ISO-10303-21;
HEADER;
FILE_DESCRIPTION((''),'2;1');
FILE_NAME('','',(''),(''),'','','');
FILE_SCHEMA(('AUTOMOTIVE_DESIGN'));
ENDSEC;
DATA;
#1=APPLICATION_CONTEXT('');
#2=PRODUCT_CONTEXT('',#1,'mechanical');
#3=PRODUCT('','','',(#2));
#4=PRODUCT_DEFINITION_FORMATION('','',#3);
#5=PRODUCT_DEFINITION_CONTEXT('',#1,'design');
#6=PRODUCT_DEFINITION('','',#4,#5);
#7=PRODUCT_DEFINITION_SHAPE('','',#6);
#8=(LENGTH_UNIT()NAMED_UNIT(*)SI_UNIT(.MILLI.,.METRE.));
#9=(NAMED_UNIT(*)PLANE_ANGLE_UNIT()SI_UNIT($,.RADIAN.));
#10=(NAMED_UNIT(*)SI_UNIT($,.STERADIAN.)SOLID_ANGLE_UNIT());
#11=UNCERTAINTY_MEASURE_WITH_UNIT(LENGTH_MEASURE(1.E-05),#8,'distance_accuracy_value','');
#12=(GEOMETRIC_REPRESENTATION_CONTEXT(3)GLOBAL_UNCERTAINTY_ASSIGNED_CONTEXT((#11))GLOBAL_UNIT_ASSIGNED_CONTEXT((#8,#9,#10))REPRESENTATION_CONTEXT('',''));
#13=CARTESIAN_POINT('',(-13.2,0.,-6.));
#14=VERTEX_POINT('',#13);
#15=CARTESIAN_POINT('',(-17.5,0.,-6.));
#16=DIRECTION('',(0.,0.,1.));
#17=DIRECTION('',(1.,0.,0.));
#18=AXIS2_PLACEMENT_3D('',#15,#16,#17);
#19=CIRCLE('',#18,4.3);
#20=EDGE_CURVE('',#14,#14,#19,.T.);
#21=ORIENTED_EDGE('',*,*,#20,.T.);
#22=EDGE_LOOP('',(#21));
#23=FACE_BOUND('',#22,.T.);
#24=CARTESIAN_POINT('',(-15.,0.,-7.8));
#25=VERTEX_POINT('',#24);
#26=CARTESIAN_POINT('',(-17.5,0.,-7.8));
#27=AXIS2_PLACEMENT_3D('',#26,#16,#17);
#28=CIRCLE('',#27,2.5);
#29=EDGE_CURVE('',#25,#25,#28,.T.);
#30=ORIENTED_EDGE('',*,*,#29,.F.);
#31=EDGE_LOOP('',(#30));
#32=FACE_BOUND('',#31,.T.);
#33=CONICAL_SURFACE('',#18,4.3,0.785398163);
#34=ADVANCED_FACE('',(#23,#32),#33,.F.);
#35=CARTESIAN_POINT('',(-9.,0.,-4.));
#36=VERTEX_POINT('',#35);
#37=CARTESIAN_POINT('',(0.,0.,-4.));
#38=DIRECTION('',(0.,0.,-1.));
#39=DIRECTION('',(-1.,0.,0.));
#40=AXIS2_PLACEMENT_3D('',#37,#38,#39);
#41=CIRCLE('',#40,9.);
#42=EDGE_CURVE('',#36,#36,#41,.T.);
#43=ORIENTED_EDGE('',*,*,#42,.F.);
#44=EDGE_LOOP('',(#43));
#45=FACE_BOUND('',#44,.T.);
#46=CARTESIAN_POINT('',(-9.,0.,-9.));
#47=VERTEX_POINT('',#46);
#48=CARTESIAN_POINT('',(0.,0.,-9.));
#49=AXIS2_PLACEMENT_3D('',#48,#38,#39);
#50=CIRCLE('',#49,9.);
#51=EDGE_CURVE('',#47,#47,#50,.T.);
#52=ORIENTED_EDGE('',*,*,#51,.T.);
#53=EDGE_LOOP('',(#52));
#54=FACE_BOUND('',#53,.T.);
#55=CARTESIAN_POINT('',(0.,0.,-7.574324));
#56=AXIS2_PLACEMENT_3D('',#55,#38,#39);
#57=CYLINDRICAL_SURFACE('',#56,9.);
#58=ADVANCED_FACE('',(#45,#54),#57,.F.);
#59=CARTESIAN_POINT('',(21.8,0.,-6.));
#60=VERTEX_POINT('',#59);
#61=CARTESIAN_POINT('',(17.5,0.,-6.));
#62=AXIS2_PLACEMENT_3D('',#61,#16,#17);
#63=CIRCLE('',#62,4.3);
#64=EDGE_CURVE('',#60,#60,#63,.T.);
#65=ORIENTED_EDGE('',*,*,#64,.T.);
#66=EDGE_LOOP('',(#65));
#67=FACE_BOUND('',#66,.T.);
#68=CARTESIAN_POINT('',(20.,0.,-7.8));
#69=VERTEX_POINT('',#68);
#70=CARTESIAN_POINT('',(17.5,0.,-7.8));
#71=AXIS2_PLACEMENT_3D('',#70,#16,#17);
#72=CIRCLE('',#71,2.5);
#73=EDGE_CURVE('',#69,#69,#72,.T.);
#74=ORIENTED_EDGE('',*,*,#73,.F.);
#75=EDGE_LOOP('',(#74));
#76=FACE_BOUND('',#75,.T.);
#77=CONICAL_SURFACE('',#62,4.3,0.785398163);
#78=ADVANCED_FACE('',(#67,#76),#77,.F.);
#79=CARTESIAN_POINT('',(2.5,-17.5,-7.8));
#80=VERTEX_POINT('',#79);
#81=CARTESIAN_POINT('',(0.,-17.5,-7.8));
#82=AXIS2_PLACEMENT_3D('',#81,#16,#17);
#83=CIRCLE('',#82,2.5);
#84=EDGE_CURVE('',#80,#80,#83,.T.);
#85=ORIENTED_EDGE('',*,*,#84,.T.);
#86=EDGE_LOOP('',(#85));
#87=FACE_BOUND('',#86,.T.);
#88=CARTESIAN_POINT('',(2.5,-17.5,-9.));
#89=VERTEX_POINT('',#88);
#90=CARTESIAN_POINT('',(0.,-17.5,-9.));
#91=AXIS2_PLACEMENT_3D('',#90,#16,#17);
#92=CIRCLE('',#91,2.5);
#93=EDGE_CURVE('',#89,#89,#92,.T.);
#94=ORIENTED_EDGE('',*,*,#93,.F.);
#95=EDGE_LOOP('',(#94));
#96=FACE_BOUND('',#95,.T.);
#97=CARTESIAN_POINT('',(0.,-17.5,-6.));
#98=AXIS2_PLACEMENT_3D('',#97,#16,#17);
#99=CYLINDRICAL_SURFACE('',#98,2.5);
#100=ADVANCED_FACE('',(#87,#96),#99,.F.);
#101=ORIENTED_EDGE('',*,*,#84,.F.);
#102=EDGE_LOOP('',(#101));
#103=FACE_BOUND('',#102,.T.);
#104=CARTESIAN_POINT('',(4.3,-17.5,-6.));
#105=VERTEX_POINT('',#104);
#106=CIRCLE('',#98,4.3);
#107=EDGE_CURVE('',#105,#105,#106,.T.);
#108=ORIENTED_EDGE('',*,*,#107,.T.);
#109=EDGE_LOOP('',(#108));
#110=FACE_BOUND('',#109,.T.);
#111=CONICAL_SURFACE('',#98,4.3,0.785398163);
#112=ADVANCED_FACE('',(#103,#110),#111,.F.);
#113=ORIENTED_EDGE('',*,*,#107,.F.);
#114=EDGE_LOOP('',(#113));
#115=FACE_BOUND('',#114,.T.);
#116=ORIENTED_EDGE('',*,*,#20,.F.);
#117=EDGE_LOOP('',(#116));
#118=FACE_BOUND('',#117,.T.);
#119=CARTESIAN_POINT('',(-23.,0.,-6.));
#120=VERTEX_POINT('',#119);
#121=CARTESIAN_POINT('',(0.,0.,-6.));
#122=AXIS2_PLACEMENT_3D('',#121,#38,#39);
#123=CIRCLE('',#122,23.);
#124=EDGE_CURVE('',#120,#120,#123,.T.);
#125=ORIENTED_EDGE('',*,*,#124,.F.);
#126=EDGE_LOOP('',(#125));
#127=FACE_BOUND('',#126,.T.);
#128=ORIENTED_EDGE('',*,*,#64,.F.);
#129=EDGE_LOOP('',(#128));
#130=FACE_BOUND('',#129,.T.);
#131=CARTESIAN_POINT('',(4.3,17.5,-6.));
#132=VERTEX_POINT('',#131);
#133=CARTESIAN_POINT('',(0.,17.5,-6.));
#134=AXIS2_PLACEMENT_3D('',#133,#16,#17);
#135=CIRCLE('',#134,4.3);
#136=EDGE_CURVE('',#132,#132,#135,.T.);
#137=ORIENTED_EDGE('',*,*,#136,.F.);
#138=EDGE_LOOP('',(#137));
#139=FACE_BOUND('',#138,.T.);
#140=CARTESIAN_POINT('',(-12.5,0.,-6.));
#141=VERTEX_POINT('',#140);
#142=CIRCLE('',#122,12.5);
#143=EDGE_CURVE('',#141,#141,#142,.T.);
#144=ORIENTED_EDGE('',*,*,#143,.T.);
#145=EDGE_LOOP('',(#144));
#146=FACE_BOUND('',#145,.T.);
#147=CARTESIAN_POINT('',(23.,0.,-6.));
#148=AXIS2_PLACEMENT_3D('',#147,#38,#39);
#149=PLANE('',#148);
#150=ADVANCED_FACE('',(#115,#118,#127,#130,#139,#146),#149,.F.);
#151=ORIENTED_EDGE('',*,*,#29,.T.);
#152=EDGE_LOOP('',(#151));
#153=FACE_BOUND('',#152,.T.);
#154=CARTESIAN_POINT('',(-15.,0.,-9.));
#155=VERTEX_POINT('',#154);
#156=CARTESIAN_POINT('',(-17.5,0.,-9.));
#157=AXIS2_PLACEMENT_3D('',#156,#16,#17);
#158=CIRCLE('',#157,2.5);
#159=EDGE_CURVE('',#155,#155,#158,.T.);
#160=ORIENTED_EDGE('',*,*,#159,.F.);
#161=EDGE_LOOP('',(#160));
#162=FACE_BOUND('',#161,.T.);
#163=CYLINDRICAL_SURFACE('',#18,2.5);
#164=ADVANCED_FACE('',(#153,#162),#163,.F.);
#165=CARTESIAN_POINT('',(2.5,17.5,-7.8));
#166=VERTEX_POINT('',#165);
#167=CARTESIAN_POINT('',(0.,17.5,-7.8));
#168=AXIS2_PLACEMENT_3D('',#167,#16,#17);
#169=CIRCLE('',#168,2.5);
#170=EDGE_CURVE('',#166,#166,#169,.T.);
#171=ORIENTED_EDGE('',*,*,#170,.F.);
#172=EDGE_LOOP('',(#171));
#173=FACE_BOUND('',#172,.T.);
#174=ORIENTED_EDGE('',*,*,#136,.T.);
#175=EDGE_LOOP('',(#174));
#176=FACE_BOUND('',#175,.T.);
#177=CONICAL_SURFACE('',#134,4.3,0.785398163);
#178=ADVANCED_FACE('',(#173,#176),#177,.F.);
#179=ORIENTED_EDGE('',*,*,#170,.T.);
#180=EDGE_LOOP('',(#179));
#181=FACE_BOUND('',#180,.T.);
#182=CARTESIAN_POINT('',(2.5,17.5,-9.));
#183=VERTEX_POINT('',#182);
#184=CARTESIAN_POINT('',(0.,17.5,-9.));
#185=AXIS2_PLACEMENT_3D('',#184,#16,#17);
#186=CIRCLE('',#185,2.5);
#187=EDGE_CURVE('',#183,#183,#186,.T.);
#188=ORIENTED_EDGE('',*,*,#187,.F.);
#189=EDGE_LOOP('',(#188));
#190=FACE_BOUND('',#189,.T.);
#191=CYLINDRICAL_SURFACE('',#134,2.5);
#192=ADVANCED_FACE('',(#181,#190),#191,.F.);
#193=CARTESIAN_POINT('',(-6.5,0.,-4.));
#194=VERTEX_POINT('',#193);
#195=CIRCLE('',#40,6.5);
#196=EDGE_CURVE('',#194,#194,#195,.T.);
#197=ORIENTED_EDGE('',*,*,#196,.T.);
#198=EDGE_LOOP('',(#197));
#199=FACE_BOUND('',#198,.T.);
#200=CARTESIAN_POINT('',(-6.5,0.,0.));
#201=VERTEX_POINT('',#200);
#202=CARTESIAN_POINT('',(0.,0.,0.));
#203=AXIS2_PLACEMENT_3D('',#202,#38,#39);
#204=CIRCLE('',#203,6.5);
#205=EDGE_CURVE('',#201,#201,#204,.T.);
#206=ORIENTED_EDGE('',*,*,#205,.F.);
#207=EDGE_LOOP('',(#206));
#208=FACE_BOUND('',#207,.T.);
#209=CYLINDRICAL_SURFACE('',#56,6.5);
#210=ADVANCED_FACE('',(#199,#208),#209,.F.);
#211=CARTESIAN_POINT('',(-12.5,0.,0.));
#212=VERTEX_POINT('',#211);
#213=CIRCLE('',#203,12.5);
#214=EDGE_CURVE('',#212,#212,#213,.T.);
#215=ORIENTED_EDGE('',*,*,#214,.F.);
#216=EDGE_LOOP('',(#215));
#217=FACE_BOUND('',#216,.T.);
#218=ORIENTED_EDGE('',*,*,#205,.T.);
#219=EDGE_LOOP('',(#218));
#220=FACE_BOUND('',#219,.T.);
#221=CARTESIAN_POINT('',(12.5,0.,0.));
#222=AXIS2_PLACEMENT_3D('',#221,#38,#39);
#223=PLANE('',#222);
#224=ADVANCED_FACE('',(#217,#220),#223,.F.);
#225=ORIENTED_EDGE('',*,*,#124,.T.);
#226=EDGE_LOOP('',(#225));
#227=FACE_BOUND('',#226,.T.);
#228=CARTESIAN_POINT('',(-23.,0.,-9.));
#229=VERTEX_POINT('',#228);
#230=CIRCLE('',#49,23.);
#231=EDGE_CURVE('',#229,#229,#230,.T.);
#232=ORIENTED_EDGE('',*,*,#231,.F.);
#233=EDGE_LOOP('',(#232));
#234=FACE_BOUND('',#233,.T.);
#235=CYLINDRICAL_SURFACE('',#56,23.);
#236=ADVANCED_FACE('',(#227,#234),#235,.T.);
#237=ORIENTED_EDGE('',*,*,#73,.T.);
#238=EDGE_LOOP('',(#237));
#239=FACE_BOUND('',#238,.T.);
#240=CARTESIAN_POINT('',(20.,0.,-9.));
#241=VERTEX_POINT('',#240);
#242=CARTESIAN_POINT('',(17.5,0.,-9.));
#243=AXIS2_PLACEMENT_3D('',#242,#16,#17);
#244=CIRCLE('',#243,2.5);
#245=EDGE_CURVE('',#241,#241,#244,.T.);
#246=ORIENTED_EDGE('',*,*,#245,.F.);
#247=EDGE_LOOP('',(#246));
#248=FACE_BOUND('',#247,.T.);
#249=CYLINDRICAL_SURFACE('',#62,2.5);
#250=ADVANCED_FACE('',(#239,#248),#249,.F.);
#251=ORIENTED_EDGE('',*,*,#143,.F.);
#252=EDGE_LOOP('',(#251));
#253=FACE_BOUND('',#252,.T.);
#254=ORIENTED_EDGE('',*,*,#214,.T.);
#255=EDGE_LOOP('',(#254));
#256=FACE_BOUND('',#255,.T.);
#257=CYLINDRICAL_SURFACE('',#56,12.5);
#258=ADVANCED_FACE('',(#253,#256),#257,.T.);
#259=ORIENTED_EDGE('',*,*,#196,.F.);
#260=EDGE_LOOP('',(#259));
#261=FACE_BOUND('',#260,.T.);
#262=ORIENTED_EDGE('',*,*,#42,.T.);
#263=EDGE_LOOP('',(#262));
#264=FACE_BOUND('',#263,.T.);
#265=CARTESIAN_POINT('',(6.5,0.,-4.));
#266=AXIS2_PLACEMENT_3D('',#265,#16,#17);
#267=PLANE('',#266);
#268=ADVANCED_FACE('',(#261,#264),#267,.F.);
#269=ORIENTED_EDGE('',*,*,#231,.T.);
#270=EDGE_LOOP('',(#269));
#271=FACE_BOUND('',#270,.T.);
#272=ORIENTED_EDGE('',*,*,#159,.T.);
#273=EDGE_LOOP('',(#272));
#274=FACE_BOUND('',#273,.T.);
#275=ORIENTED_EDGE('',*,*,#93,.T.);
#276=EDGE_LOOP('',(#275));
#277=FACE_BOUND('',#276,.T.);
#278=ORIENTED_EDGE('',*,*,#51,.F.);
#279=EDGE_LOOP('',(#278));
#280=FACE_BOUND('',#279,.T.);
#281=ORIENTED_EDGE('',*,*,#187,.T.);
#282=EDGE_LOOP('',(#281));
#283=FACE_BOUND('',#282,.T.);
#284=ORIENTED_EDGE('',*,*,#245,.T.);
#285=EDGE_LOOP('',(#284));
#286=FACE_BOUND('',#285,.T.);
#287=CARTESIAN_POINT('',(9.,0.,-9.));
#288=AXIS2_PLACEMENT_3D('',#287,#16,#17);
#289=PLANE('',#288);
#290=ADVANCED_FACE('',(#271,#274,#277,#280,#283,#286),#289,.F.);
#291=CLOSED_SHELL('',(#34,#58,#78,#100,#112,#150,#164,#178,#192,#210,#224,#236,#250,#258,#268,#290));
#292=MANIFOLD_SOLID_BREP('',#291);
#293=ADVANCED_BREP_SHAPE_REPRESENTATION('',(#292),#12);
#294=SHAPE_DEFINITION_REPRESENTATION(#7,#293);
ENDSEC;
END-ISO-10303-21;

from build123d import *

# Parameters (mm, degrees)
RIPETIZIONECIRCOLARE1_COUNT = 4


with BuildPart() as part:
    # Schizzo1 → Rivoluzione1 (revolve)
    with BuildSketch(Plane(origin=(0, 0, 0), x_dir=(1, 0, 0), z_dir=(0, 1, 0)), mode=Mode.PRIVATE) as rivoluzione1_sk:
        Polygon((6.5, 0), (6.5, 4), (9, 4), (9, 9), (23, 9), (23, 6), (12.5, 6), (12.5, 0), align=None)
    revolve(rivoluzione1_sk.sketch.rotate(Axis((0, 0, -7.574324324), (0, 0, 1)), 180), axis=Axis((0, 0, -7.574324324), (0, 0, 1)))

    # Schizzo4 → Foro svasato per Vite M6-2 (revolve, cut)
    with BuildSketch(Plane(origin=(0, 17.5, -6), x_dir=(0, -1, 0), z_dir=(1, 0, 0))):
        Polygon((0, 0), (0, 3), (2.5, 3), (2.5, 1.8), (4.3, 0), align=None)
    foro_svasato_per_vite_m6_2 = revolve(axis=Axis((0, 17.5, 0.35), (0, 0, -1)), mode=Mode.SUBTRACT)

    # RipetizioneCircolare1: Foro svasato per Vite M6-2 ×4 about axis
    ripetizionecircolare1_axis = Axis((0, 0, 0), (0, 0, 1))
    for i in range(1, RIPETIZIONECIRCOLARE1_COUNT):
        add(foro_svasato_per_vite_m6_2.rotate(ripetizionecircolare1_axis, i * 360 / RIPETIZIONECIRCOLARE1_COUNT), mode=Mode.SUBTRACT)


solid = part.part
